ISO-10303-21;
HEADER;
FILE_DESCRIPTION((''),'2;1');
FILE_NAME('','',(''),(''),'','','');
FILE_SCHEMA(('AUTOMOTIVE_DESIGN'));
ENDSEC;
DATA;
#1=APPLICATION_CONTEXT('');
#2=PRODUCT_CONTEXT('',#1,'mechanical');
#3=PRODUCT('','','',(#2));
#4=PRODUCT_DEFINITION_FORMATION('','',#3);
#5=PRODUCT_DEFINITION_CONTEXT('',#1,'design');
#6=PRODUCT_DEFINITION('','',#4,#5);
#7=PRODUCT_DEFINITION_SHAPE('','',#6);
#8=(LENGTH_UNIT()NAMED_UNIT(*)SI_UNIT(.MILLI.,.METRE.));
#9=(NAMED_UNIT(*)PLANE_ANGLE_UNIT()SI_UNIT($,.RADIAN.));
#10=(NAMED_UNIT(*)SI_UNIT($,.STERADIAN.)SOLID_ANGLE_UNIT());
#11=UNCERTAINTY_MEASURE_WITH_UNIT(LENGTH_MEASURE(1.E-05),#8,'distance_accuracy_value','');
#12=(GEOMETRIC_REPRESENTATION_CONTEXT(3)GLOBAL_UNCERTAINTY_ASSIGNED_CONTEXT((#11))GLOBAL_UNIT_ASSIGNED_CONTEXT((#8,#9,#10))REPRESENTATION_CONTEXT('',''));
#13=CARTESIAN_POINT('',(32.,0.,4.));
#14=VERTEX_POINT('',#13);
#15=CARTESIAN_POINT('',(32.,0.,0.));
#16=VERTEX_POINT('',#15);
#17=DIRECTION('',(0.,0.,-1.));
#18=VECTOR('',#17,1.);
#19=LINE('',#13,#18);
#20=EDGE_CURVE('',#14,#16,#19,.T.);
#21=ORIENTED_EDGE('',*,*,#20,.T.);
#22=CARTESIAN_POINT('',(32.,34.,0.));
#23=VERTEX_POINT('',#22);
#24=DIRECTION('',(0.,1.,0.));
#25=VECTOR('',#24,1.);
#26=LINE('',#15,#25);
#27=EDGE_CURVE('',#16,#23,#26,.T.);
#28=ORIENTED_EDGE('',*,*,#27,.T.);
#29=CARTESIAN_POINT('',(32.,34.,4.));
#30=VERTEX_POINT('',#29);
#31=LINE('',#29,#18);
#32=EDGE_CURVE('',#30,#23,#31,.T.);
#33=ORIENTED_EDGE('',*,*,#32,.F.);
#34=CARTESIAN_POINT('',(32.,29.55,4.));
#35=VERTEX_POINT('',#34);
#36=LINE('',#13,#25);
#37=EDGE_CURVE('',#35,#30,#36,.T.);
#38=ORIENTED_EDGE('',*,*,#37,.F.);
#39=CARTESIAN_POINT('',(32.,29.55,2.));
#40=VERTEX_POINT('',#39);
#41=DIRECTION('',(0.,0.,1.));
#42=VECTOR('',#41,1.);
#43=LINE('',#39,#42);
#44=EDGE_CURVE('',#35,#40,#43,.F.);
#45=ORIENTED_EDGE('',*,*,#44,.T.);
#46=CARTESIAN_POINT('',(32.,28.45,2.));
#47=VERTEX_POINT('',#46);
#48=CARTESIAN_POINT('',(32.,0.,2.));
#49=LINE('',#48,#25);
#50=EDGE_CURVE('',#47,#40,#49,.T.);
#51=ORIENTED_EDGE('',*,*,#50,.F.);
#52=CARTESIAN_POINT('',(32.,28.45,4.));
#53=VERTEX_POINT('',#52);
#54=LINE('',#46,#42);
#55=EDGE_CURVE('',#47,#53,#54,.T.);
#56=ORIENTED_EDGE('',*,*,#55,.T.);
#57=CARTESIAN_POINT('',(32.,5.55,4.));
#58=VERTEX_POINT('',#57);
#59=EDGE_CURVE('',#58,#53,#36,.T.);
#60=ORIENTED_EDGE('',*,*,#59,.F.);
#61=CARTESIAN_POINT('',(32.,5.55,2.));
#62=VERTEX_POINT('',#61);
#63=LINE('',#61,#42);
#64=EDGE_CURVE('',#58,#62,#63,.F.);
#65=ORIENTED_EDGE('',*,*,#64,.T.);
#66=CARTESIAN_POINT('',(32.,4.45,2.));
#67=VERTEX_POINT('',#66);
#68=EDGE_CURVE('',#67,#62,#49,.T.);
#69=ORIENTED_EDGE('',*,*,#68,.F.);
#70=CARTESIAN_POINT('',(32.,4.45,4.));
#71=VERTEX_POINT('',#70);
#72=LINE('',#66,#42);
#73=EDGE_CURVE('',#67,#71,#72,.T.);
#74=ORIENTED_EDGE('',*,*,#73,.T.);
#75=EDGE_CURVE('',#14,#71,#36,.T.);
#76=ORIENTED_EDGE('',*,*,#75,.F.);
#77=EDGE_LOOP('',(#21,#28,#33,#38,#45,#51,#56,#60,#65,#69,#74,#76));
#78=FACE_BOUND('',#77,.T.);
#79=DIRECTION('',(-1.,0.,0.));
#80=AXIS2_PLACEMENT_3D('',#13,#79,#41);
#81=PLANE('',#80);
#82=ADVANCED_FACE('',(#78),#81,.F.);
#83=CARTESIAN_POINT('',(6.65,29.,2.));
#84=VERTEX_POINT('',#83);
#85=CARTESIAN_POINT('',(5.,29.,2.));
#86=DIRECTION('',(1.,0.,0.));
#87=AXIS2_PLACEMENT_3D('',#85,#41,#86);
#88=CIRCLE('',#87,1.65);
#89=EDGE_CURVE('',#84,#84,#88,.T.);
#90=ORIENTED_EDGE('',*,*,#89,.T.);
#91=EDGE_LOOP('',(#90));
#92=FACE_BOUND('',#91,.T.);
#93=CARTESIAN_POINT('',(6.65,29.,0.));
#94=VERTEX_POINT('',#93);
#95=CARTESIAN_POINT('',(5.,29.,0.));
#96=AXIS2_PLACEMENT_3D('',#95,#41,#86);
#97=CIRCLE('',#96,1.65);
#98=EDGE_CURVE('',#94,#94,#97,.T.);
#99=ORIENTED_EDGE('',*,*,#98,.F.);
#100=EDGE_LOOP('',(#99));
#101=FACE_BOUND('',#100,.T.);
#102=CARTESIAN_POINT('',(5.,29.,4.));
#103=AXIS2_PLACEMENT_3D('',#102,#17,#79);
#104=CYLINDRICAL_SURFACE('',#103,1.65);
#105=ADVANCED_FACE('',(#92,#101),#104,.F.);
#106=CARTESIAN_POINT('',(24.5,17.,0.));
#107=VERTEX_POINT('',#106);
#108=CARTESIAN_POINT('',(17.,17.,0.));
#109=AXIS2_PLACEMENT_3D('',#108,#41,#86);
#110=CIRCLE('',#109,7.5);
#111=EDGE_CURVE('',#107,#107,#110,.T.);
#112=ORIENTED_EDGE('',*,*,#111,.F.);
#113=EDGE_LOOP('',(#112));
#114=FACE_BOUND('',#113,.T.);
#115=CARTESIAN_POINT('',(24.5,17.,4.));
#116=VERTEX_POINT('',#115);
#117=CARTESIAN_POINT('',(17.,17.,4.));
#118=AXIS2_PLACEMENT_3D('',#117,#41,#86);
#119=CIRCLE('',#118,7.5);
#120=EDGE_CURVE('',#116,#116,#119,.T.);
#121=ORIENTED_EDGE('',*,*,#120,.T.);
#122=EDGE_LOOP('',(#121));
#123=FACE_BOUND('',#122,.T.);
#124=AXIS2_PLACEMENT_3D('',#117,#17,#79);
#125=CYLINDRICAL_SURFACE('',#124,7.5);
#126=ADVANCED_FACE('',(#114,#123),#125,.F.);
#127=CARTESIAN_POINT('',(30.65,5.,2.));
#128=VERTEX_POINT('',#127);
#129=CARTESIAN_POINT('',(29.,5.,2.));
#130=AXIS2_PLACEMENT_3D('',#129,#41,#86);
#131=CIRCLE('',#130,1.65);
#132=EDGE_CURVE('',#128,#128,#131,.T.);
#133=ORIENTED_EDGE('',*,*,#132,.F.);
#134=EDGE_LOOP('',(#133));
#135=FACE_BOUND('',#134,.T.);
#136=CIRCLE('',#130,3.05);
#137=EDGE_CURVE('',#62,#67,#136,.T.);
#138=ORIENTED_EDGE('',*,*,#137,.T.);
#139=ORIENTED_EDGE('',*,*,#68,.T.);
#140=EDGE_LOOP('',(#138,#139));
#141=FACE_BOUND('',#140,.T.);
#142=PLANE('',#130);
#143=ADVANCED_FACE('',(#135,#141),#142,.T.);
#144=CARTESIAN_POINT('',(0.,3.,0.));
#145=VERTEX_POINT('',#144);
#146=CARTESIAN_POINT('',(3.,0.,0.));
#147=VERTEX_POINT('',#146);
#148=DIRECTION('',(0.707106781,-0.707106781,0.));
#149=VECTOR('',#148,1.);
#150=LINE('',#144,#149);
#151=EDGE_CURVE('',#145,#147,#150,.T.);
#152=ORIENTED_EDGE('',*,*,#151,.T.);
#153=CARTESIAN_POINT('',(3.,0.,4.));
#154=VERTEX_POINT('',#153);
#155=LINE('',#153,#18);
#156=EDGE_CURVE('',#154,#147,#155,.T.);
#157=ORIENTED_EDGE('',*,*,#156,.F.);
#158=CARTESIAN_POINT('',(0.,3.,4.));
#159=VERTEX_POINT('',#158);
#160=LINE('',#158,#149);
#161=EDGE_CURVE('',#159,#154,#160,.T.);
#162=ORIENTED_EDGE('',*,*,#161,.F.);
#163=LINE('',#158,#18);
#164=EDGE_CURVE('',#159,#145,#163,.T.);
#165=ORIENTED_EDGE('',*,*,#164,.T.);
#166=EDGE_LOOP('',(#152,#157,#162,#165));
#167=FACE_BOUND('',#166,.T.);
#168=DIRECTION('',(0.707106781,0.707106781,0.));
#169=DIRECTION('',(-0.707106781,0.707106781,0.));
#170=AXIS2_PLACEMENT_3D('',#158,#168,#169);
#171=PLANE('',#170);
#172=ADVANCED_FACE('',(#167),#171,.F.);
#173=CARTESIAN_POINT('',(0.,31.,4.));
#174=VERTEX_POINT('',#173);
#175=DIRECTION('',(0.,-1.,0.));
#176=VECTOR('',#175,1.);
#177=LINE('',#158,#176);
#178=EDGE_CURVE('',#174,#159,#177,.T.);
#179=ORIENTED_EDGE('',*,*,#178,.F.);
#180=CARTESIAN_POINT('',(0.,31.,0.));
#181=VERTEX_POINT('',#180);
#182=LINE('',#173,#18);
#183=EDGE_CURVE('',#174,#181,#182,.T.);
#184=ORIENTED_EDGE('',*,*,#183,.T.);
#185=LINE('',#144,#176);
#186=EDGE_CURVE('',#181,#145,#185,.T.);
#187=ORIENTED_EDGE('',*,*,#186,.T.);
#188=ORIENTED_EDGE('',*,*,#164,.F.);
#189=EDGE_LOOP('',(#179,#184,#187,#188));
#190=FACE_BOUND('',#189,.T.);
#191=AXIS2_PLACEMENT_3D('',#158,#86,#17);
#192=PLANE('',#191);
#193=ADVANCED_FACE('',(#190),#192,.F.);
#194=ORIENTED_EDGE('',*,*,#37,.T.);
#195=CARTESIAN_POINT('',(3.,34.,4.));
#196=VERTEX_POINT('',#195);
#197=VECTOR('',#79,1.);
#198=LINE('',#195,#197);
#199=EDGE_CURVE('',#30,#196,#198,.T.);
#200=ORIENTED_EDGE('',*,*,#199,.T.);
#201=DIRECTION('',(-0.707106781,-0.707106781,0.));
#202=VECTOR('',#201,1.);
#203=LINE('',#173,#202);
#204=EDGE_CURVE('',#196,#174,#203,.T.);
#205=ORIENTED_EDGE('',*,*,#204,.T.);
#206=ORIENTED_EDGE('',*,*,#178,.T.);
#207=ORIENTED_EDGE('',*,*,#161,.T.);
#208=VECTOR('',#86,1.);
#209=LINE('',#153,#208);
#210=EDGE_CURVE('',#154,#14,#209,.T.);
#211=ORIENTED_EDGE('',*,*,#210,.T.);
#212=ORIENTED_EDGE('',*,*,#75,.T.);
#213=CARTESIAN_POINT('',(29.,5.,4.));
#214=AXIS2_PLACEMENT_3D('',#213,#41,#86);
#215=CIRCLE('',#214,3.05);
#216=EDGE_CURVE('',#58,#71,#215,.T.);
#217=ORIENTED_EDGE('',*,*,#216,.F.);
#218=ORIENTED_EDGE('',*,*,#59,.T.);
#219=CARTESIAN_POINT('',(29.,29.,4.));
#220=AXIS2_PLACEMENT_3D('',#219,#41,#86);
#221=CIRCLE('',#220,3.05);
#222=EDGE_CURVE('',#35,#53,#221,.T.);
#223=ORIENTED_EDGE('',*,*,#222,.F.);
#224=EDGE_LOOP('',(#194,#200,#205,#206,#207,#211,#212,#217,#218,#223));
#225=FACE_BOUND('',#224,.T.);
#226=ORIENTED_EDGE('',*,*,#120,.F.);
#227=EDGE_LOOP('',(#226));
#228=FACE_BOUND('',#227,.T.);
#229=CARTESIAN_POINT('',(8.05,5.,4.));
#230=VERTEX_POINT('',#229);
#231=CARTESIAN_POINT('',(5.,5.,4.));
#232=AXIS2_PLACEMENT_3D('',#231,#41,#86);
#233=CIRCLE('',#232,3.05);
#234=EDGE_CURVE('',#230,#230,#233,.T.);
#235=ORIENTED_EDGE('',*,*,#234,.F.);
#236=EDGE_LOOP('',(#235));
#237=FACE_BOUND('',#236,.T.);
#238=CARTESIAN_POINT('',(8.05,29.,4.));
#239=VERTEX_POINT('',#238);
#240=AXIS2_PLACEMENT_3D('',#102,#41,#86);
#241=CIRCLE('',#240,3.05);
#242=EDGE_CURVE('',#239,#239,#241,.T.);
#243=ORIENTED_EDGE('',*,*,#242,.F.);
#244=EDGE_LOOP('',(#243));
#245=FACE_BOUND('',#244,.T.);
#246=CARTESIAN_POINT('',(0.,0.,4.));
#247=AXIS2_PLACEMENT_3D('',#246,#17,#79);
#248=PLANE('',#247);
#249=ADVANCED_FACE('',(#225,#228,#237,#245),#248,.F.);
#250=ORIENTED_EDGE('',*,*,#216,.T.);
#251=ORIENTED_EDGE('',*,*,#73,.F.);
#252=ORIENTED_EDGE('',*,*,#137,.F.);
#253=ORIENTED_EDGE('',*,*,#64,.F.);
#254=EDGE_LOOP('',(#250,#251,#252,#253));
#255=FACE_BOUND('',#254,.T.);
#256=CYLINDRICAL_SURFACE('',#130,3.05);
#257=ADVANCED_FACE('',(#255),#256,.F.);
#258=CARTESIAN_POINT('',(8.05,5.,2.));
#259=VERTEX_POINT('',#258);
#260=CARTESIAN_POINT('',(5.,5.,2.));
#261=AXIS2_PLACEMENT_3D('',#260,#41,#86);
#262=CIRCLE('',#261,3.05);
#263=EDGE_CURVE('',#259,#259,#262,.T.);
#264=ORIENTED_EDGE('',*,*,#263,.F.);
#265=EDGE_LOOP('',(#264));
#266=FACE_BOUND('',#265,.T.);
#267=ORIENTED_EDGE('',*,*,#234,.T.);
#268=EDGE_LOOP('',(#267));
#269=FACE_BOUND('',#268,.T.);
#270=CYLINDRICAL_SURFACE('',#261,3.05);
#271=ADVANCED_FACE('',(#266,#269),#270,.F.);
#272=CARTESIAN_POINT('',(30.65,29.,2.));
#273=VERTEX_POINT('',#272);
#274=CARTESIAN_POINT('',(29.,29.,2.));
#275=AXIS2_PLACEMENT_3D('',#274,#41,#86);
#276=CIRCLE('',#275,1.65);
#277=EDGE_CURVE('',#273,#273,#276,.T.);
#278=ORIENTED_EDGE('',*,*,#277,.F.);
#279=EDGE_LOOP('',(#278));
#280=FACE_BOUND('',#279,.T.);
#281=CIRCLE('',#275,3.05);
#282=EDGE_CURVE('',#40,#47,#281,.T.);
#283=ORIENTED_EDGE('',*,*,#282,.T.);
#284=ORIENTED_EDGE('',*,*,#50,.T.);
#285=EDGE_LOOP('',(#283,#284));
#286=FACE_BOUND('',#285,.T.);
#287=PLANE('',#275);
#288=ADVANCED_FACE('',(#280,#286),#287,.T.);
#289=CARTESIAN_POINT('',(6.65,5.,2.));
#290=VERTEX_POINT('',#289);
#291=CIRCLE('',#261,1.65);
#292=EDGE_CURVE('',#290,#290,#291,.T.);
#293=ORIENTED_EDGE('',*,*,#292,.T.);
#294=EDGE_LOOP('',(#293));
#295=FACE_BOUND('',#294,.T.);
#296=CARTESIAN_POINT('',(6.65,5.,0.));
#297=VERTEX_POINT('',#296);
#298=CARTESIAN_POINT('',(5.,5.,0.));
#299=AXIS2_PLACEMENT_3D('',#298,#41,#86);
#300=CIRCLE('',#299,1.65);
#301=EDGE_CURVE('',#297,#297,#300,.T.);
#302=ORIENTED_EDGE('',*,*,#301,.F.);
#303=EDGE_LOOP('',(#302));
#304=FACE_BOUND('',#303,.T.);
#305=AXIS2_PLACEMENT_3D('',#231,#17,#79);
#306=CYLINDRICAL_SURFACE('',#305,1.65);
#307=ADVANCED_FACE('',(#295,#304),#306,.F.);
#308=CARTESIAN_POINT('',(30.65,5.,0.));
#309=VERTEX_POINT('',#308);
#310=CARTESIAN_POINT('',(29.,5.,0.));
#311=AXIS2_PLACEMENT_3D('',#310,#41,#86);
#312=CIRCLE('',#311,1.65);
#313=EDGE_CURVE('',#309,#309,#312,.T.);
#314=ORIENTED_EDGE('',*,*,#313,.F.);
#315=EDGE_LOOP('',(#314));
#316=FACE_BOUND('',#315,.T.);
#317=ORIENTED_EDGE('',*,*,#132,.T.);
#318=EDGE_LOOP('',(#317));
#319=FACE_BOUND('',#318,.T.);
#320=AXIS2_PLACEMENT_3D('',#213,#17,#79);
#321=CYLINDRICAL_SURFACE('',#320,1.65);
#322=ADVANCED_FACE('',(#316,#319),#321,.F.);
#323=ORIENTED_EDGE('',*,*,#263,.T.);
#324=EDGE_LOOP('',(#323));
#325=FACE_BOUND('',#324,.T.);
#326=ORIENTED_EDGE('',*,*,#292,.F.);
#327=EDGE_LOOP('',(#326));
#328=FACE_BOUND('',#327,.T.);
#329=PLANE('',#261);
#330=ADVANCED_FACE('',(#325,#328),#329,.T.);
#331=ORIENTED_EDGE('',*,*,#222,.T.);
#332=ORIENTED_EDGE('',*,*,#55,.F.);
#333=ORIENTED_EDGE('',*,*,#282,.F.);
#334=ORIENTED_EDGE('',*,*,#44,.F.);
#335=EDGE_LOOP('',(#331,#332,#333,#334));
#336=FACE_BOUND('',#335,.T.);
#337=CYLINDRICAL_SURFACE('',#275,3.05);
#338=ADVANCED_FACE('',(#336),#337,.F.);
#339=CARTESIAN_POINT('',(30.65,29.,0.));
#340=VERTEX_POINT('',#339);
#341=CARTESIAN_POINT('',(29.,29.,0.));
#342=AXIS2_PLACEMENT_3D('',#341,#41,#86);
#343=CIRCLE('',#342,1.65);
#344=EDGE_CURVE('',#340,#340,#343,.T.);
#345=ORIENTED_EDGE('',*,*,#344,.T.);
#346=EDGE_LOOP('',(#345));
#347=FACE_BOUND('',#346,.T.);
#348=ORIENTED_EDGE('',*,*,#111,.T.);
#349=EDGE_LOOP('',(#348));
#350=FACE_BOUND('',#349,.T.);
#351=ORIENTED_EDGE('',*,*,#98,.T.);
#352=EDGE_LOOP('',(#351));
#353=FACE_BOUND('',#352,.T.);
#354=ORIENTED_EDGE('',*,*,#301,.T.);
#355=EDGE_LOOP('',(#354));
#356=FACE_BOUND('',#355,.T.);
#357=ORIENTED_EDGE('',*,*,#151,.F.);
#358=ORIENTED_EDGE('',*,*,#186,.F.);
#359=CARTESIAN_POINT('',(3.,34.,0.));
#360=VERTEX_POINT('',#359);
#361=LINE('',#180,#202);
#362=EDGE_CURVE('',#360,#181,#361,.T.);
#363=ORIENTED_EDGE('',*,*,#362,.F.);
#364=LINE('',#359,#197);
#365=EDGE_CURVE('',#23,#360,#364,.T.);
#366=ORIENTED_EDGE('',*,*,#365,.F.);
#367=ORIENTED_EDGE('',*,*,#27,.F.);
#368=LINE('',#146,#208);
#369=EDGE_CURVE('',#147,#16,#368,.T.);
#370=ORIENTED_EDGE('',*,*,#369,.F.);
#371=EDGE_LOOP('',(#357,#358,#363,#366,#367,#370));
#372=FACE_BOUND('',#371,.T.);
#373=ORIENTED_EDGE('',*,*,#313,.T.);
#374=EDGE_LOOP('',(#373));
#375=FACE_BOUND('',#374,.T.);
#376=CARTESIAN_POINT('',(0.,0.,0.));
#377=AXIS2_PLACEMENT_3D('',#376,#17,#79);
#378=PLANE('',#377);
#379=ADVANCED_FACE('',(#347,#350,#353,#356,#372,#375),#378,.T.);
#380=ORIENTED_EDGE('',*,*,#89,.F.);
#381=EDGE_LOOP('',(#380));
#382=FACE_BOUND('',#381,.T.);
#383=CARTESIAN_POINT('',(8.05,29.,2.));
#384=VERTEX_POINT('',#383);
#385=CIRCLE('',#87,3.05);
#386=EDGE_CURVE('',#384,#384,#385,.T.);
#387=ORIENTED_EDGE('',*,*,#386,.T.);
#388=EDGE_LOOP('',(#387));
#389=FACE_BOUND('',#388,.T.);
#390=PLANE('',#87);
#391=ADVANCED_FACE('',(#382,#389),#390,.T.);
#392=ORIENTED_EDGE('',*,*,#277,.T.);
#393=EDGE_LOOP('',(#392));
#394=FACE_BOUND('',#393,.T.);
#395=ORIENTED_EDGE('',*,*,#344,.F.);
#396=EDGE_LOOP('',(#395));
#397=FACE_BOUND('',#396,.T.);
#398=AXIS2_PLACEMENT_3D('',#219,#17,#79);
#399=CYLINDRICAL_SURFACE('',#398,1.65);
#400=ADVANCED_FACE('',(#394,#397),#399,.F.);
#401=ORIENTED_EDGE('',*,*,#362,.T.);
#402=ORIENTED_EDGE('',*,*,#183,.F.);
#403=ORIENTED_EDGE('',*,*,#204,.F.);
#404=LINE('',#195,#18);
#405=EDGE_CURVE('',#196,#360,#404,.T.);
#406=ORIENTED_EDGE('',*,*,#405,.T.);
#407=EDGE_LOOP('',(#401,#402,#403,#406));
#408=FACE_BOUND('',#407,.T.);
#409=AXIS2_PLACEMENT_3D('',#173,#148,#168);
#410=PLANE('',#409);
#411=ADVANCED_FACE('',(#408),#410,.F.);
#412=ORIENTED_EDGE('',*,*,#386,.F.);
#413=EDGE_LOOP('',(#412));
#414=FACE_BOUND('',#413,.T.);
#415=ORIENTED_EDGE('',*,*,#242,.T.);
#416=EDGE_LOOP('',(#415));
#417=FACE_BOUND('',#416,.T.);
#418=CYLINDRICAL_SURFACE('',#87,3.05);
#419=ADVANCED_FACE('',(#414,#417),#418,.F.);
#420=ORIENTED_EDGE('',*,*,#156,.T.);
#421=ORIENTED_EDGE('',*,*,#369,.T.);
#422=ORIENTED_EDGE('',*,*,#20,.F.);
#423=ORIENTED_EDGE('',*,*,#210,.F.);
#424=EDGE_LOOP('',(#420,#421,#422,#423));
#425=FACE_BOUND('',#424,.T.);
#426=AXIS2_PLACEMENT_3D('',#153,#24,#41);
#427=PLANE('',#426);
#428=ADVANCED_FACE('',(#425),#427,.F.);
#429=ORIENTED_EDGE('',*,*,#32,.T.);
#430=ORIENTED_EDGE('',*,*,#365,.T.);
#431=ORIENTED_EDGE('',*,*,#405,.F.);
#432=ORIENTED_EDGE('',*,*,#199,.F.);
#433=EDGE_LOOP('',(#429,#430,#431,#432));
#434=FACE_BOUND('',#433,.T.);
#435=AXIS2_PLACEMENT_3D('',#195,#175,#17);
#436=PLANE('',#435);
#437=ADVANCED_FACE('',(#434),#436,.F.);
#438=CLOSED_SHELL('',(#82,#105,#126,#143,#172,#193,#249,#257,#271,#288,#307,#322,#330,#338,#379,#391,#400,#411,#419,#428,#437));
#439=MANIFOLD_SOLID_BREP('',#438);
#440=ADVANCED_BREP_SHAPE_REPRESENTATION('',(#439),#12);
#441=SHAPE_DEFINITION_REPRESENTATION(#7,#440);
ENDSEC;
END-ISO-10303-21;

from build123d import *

# Parameters (mm, degrees)
SKETCH_1_R          = 7.5
SKETCH_1_R_2        = 1.65
EXTRUDE_1_DEPTH     = 4
SKETCH_2_R          = 3.05
CUT_EXTRUDE_1_DEPTH = 2


with BuildPart() as part:
    # 草图1 → 凸台-拉伸1 (new body)
    with BuildSketch(Plane.XY):
        Polygon((0, 31), (3, 34), (32, 34), (32, 0), (3, 0), (0, 3), align=None)
        with Locations((17, 17)):
            Circle(SKETCH_1_R, mode=Mode.SUBTRACT)
        with Locations((5, 29)):
            Circle(SKETCH_1_R_2, mode=Mode.SUBTRACT)
        with Locations((29, 29)):
            Circle(SKETCH_1_R_2, mode=Mode.SUBTRACT)
        with Locations((5, 5)):
            Circle(SKETCH_1_R_2, mode=Mode.SUBTRACT)
        with Locations((29, 5)):
            Circle(SKETCH_1_R_2, mode=Mode.SUBTRACT)
    extrude(amount=EXTRUDE_1_DEPTH)

    # 草图2 → 切除-拉伸1 (cut)
    with BuildSketch(Plane.XY.offset(4)):
        with Locations((5, 29)):
            Circle(SKETCH_2_R)
        with Locations((29, 29)):
            Circle(SKETCH_2_R)
        with Locations((5, 5)):
            Circle(SKETCH_2_R)
        with Locations((29, 5)):
            Circle(SKETCH_2_R)
    extrude(amount=-CUT_EXTRUDE_1_DEPTH, mode=Mode.SUBTRACT)


solid = part.part
